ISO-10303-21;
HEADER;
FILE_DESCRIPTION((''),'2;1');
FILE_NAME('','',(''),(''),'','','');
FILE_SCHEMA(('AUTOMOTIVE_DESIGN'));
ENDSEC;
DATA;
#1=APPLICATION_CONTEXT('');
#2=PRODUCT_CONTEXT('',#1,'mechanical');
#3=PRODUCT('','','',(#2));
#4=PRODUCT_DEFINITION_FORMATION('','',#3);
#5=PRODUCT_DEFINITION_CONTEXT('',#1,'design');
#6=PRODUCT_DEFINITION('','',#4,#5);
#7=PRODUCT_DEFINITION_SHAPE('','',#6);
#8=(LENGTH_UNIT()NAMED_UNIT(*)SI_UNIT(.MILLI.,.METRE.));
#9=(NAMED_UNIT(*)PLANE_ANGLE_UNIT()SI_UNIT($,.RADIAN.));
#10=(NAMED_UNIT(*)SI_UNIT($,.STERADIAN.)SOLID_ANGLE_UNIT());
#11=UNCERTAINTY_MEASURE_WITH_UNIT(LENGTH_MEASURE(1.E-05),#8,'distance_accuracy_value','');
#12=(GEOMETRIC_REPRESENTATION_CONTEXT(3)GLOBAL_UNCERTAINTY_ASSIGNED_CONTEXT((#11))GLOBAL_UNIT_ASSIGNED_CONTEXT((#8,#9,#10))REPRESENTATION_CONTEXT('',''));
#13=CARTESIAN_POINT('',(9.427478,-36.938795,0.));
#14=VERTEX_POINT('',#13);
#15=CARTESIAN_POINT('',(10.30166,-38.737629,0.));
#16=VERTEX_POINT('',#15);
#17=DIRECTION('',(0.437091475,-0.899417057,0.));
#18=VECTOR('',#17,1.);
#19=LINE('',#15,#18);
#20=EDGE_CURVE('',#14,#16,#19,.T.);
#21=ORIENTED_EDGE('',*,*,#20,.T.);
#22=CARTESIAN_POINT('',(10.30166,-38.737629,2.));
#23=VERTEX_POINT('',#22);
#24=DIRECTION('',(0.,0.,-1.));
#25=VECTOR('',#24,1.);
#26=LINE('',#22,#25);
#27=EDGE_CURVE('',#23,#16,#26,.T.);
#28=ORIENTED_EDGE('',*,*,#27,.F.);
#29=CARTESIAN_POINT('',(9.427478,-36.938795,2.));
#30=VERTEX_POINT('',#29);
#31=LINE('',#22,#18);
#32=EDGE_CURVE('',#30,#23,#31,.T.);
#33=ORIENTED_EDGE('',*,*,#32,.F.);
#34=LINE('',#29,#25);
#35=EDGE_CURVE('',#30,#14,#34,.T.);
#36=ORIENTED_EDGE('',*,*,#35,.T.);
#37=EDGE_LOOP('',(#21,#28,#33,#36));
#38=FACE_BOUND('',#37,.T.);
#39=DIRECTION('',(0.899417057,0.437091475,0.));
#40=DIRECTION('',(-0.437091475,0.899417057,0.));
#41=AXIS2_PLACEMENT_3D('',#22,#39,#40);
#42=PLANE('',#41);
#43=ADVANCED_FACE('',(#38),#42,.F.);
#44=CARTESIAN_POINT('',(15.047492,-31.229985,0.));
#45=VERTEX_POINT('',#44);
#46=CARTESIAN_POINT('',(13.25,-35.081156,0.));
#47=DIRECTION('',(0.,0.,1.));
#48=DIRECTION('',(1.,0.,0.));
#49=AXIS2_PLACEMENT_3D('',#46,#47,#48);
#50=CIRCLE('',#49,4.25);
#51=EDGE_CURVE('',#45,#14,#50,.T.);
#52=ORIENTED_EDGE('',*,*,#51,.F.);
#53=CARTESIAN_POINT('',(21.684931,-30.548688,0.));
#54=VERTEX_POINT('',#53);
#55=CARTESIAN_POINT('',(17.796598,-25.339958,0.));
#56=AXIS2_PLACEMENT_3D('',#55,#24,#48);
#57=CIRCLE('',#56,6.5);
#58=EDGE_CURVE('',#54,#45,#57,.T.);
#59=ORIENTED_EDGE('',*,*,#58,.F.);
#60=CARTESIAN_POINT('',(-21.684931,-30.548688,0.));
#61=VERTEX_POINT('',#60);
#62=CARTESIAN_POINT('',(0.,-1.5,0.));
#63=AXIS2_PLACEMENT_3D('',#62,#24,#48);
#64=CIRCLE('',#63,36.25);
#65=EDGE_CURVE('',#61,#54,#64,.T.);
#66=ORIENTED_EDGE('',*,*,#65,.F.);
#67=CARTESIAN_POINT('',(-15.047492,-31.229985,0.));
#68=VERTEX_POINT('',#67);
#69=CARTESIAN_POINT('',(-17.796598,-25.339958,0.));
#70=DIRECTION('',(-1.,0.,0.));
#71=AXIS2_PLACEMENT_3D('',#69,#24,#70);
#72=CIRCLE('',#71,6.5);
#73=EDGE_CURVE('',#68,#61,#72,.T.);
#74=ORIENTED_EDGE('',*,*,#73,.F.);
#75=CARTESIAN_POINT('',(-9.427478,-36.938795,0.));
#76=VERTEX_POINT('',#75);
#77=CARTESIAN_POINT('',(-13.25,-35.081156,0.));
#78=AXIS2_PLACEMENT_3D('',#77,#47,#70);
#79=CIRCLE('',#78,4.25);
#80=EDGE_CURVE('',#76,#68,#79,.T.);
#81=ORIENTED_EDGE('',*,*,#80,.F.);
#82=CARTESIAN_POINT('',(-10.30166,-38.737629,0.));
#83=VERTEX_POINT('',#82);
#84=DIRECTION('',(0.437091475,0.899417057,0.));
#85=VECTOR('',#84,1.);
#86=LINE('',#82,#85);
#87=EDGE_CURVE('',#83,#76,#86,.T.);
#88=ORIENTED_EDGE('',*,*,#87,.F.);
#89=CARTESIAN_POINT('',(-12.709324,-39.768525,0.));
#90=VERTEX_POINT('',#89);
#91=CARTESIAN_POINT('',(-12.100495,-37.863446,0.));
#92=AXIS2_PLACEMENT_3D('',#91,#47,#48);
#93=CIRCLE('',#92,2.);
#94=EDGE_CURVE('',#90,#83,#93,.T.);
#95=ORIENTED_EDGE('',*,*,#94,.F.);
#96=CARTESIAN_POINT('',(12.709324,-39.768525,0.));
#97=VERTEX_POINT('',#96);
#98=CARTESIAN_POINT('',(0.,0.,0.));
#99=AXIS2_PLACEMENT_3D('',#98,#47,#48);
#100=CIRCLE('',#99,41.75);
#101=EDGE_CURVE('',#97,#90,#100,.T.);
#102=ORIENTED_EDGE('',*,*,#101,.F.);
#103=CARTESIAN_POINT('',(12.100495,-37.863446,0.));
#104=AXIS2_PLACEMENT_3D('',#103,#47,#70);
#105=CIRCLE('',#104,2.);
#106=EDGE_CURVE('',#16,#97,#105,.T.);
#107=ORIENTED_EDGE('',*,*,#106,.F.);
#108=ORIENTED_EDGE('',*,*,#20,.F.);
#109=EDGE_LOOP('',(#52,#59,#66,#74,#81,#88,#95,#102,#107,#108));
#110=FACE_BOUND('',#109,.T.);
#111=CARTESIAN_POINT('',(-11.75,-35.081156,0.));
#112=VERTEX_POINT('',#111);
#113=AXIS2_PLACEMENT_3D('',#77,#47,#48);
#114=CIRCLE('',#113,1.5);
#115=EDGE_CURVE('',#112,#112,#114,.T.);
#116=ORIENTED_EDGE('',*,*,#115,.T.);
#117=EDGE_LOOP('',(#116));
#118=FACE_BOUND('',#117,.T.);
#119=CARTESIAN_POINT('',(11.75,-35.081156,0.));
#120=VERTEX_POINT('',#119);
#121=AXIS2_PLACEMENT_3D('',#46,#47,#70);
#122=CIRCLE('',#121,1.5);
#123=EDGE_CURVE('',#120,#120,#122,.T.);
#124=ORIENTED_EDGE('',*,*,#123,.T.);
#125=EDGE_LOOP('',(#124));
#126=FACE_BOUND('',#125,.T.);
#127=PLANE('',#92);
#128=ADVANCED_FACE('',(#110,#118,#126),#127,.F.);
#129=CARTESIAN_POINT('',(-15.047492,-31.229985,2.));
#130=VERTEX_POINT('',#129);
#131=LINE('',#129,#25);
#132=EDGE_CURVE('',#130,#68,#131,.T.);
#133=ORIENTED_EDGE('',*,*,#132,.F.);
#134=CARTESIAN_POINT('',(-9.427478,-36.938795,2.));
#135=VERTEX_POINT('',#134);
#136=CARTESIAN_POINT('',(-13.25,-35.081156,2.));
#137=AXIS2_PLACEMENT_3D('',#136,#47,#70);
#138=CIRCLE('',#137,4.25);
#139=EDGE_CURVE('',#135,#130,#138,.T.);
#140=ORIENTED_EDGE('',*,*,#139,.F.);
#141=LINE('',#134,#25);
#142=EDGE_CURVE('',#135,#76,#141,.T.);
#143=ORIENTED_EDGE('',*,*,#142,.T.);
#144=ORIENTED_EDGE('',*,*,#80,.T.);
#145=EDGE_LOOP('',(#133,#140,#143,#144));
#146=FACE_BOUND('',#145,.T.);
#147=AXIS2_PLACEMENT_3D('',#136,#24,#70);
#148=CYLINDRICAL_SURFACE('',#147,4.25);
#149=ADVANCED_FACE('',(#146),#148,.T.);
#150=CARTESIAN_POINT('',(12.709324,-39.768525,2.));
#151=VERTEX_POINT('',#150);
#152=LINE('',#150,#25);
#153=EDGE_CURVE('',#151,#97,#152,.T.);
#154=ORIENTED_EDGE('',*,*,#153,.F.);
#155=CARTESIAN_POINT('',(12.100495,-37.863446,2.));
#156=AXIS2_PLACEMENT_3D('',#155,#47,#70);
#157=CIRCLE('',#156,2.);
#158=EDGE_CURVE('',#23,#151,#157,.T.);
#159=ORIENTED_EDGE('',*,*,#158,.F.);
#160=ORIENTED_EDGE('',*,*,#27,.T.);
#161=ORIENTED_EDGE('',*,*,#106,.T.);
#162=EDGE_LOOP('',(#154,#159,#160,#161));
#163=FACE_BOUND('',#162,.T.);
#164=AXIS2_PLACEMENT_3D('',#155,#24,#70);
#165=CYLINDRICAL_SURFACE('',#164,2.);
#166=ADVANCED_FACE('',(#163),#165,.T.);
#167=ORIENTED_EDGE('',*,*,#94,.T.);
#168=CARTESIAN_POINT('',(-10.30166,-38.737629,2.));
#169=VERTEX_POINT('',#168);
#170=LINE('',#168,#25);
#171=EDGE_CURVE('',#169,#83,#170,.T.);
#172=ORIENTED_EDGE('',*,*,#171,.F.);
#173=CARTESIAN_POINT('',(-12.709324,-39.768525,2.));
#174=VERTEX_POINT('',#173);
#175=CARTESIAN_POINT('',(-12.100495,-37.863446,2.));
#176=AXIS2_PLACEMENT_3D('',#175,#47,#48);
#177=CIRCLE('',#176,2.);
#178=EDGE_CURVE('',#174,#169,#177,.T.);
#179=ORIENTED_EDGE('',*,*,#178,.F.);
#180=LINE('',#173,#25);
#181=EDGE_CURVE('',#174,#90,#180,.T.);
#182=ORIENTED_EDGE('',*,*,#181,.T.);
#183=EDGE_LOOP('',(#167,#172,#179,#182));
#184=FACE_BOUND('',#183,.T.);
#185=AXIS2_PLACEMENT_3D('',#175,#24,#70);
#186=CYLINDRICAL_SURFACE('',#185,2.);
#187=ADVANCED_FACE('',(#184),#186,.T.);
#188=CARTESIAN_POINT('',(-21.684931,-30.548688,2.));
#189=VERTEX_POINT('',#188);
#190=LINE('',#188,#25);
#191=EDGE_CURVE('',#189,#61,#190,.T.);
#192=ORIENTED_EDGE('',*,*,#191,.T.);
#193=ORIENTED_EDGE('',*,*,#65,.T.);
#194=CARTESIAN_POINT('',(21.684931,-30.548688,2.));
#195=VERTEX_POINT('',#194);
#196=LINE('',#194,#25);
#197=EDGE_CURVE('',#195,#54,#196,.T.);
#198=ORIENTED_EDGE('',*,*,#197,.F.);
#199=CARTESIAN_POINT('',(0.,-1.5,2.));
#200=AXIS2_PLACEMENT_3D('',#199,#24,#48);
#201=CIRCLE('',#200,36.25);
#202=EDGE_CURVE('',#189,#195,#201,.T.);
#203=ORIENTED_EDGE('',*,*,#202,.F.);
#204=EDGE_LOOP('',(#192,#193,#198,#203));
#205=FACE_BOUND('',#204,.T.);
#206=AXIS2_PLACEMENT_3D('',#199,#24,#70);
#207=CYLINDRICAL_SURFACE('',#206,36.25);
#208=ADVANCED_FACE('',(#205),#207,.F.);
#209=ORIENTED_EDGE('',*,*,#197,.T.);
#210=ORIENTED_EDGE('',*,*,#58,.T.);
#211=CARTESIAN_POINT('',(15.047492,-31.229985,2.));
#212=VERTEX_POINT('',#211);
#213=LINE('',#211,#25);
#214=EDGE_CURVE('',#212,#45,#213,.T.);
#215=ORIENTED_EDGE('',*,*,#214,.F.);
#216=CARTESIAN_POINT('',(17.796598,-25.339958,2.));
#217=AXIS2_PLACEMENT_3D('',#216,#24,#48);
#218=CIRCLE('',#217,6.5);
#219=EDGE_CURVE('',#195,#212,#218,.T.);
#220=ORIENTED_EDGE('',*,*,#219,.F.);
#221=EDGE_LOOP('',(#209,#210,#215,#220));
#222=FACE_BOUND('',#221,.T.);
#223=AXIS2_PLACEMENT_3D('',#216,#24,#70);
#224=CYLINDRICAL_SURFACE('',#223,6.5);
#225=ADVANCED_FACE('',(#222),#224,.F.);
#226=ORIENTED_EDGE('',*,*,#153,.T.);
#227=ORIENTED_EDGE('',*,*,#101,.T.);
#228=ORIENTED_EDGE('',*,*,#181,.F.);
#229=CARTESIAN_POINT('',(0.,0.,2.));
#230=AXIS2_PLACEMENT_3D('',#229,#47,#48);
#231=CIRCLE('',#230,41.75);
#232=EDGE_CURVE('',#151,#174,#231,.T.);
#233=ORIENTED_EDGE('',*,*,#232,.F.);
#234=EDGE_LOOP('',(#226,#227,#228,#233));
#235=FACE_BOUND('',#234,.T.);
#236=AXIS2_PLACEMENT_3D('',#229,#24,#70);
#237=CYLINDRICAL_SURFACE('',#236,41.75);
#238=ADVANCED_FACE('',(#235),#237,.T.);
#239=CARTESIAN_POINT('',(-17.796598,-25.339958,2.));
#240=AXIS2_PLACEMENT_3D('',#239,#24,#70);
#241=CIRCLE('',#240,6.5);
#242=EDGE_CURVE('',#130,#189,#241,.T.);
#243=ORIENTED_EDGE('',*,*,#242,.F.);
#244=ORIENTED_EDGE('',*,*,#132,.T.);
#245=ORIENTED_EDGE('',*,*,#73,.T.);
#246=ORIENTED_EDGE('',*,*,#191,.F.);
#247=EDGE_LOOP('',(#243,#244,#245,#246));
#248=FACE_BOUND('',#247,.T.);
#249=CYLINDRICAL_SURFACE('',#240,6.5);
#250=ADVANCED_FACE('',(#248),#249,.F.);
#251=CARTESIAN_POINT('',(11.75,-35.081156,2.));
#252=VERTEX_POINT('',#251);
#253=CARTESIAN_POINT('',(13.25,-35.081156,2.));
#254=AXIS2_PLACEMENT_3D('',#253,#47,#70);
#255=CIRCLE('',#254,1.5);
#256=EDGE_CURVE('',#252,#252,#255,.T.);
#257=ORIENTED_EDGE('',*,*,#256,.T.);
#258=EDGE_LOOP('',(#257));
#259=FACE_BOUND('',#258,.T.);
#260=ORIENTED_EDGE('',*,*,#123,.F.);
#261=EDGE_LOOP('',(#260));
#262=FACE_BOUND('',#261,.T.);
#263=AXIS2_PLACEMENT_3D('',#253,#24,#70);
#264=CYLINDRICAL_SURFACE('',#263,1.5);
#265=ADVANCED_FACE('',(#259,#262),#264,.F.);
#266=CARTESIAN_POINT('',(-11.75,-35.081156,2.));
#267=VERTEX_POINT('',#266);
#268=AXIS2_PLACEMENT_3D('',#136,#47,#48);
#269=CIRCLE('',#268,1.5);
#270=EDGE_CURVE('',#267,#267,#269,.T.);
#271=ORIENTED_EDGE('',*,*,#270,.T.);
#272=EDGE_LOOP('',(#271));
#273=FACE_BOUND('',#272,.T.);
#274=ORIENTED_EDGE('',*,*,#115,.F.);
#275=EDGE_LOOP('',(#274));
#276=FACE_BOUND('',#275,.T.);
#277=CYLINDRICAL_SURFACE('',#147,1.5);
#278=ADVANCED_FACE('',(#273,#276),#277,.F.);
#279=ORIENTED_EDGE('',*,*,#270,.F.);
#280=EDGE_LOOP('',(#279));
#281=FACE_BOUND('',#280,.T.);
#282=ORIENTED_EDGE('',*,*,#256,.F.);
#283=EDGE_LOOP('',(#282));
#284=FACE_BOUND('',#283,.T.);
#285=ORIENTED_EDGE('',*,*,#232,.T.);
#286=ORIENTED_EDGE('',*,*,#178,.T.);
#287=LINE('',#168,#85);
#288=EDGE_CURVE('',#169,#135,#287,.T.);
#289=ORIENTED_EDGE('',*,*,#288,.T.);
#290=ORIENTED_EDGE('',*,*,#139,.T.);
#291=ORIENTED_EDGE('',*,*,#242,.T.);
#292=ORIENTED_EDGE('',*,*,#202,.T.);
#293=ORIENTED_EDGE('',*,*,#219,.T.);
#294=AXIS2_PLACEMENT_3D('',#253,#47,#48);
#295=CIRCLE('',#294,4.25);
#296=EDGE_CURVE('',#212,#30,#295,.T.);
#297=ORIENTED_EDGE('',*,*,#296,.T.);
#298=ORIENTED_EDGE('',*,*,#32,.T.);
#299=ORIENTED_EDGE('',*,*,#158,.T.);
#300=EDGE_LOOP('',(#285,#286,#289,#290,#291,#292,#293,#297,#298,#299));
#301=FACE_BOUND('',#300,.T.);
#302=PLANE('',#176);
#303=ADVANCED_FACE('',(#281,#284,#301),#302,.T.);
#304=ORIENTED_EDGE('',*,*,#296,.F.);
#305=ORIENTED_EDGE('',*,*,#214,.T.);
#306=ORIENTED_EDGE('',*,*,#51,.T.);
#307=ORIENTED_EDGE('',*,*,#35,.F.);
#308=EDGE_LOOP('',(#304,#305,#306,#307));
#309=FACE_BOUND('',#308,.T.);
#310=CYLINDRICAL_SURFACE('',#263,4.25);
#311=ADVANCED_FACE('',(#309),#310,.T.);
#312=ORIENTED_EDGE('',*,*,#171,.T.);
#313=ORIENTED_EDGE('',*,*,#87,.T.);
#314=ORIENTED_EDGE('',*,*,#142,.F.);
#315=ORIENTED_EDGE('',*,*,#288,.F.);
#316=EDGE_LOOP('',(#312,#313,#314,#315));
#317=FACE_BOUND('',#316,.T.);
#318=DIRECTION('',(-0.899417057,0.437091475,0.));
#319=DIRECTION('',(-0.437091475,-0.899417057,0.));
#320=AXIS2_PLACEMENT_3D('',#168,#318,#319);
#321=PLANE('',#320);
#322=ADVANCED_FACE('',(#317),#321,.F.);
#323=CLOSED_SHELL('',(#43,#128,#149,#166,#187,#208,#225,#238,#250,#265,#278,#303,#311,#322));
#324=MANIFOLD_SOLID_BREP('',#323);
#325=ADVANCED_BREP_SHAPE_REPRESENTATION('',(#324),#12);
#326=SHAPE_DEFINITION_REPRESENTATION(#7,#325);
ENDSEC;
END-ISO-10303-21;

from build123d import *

# Parameters (mm, degrees)
SKETCH_1_R          = 1.5
EXTRUDE_8_165_DEPTH = 2


with BuildPart() as part:
    # Эскиз1 → Бобышка8-165 (new body)
    with BuildSketch(Plane.XY):
        with BuildLine():
            Line((-10.301660458, -38.737628793), (-9.427477508, -36.938794679))
            ThreePointArc((-9.427477508, -36.938794679), (-10.221334445, -32.099598439), (-15.047492413, -31.229984527))
            ThreePointArc((-15.047492413, -31.229984527), (-18.460300533, -31.805984271), (-21.684930892, -30.54868796))
            ThreePointArc((-21.684930892, -30.54868796), (0, 34.75), (21.684930892, -30.54868796))
            ThreePointArc((21.684930892, -30.54868796), (18.460300533, -31.805984271), (15.047492413, -31.229984527))
            ThreePointArc((15.047492413, -31.229984527), (10.221334445, -32.099598439), (9.427477508, -36.938794679))
            Line((9.427477508, -36.938794679), (10.301660458, -38.737628793))
            ThreePointArc((10.301660458, -38.737628793), (11.313275299, -39.702001205), (12.709324487, -39.768524879))
            ThreePointArc((12.709324487, -39.768524879), (0, 41.75), (-12.709324487, -39.768524879))
            ThreePointArc((-12.709324487, -39.768524879), (-11.313275299, -39.702001205), (-10.301660458, -38.737628793))
        make_face()
        with Locations((-13.25, -35.08115591)):
            Circle(SKETCH_1_R, mode=Mode.SUBTRACT)
        with Locations(Location((13.25, -35.08115591, 0), (0, 0, 180))):
            Circle(SKETCH_1_R, mode=Mode.SUBTRACT)
    extrude(amount=EXTRUDE_8_165_DEPTH)


solid = part.part
